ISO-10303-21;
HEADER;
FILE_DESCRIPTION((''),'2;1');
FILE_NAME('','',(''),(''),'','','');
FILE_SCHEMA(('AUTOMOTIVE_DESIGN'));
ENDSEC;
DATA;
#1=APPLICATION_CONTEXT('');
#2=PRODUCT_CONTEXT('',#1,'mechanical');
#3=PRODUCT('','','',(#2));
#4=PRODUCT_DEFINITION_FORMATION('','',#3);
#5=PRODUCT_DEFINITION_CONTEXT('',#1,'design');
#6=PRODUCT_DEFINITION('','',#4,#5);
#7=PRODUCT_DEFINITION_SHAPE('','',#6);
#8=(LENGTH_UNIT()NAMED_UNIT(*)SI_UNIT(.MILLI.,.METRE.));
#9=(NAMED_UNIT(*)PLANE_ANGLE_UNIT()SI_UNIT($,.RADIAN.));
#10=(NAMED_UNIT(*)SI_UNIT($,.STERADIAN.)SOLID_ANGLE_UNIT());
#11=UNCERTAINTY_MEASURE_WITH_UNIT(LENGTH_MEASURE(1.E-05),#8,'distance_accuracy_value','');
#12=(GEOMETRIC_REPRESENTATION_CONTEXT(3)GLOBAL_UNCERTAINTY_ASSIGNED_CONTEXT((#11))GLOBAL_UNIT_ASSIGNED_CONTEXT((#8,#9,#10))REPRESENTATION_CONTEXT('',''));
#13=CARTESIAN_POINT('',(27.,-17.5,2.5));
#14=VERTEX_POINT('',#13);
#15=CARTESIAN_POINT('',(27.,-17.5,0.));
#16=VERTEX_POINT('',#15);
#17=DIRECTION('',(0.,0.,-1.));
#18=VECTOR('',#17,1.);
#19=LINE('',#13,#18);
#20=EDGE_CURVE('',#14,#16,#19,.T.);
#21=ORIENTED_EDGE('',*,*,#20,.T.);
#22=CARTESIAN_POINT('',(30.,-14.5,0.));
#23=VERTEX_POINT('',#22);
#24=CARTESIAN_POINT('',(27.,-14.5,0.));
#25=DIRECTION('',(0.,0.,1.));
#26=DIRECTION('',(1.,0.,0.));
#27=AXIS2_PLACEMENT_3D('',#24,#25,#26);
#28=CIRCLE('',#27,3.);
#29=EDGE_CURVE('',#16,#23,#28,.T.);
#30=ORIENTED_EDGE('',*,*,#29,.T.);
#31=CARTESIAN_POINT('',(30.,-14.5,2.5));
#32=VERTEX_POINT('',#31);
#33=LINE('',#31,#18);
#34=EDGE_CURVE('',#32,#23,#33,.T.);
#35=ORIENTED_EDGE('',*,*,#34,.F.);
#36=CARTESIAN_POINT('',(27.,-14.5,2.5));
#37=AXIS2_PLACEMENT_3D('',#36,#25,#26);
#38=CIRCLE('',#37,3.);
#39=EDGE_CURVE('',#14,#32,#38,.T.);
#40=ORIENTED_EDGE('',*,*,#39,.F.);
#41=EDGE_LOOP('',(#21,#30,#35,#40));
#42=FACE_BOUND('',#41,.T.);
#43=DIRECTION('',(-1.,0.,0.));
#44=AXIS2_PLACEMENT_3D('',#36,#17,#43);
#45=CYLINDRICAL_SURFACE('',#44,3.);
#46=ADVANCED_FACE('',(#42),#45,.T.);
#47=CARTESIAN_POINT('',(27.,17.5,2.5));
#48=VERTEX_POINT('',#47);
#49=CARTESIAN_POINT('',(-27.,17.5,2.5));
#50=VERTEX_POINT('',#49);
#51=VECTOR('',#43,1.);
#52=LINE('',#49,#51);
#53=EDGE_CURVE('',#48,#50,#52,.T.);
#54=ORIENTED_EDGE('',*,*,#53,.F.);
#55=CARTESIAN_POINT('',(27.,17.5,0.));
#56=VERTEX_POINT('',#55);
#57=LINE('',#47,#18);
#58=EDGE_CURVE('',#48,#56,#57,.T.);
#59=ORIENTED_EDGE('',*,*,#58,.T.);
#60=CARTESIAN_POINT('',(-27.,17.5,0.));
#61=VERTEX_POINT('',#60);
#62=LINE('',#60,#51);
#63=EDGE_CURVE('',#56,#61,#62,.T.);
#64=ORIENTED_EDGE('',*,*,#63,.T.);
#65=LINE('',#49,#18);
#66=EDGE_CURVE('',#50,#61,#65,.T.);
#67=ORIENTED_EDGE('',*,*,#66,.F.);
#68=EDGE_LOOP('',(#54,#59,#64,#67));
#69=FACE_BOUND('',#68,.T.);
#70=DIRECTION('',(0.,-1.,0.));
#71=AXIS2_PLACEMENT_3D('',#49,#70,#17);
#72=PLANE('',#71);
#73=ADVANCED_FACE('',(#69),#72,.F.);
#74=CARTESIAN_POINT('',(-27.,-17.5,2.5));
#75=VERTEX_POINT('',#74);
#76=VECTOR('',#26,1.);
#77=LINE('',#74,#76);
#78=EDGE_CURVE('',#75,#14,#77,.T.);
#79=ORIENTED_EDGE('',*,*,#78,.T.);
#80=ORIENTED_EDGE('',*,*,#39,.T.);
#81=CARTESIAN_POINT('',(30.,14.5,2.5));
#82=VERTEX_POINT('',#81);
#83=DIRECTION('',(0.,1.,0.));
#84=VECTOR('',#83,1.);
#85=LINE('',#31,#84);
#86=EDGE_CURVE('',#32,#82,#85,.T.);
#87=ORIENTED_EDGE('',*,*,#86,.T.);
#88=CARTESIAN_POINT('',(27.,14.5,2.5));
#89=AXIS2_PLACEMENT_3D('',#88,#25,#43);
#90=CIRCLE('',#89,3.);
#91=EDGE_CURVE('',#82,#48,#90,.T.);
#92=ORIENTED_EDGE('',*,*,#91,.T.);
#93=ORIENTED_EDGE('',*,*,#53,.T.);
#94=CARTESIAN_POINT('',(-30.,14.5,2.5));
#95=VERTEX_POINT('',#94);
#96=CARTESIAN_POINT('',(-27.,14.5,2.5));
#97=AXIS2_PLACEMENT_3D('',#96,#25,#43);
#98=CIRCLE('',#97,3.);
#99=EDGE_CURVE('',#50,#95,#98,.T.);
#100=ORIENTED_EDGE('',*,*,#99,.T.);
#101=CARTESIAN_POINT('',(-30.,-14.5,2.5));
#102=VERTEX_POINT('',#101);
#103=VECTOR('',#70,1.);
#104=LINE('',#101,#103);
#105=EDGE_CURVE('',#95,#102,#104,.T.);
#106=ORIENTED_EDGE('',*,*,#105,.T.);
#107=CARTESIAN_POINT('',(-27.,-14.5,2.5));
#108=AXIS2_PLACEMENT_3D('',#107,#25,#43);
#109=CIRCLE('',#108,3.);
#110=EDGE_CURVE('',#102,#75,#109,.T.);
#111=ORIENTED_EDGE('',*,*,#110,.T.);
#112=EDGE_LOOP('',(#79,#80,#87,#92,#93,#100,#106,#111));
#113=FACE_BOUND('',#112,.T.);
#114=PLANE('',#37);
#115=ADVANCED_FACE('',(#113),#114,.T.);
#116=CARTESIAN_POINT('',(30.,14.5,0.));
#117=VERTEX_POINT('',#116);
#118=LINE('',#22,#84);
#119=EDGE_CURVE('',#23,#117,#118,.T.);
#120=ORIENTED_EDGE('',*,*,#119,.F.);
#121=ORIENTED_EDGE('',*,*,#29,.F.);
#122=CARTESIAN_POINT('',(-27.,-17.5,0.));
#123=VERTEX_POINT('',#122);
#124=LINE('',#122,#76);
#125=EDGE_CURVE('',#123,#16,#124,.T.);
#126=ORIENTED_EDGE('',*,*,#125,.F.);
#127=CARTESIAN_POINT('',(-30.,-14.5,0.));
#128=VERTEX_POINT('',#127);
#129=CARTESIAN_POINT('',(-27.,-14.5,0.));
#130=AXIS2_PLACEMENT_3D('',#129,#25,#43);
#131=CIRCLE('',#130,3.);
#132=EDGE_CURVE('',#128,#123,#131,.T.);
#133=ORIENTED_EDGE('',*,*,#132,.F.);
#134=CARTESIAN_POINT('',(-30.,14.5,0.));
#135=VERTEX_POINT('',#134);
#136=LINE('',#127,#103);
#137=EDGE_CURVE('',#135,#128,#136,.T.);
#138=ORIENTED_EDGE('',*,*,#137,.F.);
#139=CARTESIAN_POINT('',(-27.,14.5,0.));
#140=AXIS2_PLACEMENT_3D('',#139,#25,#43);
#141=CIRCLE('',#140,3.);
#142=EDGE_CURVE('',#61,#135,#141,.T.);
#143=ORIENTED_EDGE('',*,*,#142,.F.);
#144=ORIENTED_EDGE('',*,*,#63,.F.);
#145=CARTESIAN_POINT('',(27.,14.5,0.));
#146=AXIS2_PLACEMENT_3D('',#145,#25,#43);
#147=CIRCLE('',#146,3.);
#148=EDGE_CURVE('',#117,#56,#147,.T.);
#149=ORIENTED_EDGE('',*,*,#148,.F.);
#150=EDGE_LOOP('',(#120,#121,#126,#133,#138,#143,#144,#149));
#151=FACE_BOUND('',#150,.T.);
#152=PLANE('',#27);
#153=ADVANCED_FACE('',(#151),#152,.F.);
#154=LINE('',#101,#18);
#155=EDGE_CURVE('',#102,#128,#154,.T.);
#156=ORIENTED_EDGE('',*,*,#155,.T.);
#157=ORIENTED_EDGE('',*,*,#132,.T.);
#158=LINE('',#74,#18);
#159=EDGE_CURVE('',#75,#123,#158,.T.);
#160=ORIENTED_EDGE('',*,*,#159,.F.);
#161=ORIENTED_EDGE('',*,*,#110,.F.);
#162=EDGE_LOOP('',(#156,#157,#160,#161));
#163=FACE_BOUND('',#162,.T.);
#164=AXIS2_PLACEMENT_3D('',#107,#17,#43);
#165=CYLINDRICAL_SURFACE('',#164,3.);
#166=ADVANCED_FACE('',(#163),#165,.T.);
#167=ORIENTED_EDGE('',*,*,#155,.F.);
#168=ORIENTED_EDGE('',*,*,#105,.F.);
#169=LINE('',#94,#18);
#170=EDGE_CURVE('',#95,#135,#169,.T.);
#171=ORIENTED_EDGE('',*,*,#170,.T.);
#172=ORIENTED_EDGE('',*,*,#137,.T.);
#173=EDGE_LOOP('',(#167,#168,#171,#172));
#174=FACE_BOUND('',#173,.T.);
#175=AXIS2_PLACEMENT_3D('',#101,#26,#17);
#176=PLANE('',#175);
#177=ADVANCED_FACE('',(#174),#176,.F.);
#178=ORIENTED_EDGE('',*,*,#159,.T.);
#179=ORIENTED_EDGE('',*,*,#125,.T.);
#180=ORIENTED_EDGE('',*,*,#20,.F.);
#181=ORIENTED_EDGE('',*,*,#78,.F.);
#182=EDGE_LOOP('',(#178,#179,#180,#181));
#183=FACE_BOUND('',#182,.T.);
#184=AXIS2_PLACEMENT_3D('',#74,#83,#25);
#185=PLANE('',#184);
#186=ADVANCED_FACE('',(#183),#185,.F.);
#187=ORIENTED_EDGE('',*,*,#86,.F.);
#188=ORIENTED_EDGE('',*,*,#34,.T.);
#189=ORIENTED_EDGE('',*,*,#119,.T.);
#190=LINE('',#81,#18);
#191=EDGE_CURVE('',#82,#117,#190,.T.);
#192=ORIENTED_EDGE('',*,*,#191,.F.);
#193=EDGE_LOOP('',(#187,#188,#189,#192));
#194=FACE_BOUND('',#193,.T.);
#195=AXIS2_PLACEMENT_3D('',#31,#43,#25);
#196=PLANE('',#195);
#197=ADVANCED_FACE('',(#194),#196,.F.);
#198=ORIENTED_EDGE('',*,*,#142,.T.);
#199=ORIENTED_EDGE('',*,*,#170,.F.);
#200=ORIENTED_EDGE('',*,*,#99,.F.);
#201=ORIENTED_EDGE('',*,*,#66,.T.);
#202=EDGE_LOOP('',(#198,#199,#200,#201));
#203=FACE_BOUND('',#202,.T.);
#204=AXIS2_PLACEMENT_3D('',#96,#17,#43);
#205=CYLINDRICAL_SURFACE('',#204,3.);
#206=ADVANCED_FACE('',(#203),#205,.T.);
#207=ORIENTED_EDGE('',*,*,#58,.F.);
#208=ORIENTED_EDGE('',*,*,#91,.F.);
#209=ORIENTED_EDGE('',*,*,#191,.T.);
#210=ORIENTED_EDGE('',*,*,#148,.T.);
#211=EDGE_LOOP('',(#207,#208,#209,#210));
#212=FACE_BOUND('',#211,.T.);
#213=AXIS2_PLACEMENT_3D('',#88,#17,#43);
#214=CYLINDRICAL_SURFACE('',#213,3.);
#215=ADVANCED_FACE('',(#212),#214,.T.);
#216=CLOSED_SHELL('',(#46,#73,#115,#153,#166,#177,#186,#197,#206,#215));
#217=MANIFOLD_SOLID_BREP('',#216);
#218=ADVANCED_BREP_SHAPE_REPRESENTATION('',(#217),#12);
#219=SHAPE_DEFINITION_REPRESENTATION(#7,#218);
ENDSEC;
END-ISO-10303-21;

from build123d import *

# Parameters (mm, degrees)
BOSS_EXTRUDE1_DEPTH = 2.5


with BuildPart() as part:
    # Sketch1 → Boss-Extrude1 (new body)
    with BuildSketch(Plane.XY):
        with BuildLine():
            Line((-27, -17.5), (27, -17.5))
            ThreePointArc((27, -17.5), (29.121320344, -16.621320344), (30, -14.5))
            Line((30, -14.5), (30, 14.5))
            ThreePointArc((30, 14.5), (29.121320344, 16.621320344), (27, 17.5))
            Line((27, 17.5), (-27, 17.5))
            ThreePointArc((-27, 17.5), (-29.121320344, 16.621320344), (-30, 14.5))
            Line((-30, 14.5), (-30, -14.5))
            ThreePointArc((-30, -14.5), (-29.121320344, -16.621320344), (-27, -17.5))
        make_face()
    extrude(amount=BOSS_EXTRUDE1_DEPTH)


solid = part.part
